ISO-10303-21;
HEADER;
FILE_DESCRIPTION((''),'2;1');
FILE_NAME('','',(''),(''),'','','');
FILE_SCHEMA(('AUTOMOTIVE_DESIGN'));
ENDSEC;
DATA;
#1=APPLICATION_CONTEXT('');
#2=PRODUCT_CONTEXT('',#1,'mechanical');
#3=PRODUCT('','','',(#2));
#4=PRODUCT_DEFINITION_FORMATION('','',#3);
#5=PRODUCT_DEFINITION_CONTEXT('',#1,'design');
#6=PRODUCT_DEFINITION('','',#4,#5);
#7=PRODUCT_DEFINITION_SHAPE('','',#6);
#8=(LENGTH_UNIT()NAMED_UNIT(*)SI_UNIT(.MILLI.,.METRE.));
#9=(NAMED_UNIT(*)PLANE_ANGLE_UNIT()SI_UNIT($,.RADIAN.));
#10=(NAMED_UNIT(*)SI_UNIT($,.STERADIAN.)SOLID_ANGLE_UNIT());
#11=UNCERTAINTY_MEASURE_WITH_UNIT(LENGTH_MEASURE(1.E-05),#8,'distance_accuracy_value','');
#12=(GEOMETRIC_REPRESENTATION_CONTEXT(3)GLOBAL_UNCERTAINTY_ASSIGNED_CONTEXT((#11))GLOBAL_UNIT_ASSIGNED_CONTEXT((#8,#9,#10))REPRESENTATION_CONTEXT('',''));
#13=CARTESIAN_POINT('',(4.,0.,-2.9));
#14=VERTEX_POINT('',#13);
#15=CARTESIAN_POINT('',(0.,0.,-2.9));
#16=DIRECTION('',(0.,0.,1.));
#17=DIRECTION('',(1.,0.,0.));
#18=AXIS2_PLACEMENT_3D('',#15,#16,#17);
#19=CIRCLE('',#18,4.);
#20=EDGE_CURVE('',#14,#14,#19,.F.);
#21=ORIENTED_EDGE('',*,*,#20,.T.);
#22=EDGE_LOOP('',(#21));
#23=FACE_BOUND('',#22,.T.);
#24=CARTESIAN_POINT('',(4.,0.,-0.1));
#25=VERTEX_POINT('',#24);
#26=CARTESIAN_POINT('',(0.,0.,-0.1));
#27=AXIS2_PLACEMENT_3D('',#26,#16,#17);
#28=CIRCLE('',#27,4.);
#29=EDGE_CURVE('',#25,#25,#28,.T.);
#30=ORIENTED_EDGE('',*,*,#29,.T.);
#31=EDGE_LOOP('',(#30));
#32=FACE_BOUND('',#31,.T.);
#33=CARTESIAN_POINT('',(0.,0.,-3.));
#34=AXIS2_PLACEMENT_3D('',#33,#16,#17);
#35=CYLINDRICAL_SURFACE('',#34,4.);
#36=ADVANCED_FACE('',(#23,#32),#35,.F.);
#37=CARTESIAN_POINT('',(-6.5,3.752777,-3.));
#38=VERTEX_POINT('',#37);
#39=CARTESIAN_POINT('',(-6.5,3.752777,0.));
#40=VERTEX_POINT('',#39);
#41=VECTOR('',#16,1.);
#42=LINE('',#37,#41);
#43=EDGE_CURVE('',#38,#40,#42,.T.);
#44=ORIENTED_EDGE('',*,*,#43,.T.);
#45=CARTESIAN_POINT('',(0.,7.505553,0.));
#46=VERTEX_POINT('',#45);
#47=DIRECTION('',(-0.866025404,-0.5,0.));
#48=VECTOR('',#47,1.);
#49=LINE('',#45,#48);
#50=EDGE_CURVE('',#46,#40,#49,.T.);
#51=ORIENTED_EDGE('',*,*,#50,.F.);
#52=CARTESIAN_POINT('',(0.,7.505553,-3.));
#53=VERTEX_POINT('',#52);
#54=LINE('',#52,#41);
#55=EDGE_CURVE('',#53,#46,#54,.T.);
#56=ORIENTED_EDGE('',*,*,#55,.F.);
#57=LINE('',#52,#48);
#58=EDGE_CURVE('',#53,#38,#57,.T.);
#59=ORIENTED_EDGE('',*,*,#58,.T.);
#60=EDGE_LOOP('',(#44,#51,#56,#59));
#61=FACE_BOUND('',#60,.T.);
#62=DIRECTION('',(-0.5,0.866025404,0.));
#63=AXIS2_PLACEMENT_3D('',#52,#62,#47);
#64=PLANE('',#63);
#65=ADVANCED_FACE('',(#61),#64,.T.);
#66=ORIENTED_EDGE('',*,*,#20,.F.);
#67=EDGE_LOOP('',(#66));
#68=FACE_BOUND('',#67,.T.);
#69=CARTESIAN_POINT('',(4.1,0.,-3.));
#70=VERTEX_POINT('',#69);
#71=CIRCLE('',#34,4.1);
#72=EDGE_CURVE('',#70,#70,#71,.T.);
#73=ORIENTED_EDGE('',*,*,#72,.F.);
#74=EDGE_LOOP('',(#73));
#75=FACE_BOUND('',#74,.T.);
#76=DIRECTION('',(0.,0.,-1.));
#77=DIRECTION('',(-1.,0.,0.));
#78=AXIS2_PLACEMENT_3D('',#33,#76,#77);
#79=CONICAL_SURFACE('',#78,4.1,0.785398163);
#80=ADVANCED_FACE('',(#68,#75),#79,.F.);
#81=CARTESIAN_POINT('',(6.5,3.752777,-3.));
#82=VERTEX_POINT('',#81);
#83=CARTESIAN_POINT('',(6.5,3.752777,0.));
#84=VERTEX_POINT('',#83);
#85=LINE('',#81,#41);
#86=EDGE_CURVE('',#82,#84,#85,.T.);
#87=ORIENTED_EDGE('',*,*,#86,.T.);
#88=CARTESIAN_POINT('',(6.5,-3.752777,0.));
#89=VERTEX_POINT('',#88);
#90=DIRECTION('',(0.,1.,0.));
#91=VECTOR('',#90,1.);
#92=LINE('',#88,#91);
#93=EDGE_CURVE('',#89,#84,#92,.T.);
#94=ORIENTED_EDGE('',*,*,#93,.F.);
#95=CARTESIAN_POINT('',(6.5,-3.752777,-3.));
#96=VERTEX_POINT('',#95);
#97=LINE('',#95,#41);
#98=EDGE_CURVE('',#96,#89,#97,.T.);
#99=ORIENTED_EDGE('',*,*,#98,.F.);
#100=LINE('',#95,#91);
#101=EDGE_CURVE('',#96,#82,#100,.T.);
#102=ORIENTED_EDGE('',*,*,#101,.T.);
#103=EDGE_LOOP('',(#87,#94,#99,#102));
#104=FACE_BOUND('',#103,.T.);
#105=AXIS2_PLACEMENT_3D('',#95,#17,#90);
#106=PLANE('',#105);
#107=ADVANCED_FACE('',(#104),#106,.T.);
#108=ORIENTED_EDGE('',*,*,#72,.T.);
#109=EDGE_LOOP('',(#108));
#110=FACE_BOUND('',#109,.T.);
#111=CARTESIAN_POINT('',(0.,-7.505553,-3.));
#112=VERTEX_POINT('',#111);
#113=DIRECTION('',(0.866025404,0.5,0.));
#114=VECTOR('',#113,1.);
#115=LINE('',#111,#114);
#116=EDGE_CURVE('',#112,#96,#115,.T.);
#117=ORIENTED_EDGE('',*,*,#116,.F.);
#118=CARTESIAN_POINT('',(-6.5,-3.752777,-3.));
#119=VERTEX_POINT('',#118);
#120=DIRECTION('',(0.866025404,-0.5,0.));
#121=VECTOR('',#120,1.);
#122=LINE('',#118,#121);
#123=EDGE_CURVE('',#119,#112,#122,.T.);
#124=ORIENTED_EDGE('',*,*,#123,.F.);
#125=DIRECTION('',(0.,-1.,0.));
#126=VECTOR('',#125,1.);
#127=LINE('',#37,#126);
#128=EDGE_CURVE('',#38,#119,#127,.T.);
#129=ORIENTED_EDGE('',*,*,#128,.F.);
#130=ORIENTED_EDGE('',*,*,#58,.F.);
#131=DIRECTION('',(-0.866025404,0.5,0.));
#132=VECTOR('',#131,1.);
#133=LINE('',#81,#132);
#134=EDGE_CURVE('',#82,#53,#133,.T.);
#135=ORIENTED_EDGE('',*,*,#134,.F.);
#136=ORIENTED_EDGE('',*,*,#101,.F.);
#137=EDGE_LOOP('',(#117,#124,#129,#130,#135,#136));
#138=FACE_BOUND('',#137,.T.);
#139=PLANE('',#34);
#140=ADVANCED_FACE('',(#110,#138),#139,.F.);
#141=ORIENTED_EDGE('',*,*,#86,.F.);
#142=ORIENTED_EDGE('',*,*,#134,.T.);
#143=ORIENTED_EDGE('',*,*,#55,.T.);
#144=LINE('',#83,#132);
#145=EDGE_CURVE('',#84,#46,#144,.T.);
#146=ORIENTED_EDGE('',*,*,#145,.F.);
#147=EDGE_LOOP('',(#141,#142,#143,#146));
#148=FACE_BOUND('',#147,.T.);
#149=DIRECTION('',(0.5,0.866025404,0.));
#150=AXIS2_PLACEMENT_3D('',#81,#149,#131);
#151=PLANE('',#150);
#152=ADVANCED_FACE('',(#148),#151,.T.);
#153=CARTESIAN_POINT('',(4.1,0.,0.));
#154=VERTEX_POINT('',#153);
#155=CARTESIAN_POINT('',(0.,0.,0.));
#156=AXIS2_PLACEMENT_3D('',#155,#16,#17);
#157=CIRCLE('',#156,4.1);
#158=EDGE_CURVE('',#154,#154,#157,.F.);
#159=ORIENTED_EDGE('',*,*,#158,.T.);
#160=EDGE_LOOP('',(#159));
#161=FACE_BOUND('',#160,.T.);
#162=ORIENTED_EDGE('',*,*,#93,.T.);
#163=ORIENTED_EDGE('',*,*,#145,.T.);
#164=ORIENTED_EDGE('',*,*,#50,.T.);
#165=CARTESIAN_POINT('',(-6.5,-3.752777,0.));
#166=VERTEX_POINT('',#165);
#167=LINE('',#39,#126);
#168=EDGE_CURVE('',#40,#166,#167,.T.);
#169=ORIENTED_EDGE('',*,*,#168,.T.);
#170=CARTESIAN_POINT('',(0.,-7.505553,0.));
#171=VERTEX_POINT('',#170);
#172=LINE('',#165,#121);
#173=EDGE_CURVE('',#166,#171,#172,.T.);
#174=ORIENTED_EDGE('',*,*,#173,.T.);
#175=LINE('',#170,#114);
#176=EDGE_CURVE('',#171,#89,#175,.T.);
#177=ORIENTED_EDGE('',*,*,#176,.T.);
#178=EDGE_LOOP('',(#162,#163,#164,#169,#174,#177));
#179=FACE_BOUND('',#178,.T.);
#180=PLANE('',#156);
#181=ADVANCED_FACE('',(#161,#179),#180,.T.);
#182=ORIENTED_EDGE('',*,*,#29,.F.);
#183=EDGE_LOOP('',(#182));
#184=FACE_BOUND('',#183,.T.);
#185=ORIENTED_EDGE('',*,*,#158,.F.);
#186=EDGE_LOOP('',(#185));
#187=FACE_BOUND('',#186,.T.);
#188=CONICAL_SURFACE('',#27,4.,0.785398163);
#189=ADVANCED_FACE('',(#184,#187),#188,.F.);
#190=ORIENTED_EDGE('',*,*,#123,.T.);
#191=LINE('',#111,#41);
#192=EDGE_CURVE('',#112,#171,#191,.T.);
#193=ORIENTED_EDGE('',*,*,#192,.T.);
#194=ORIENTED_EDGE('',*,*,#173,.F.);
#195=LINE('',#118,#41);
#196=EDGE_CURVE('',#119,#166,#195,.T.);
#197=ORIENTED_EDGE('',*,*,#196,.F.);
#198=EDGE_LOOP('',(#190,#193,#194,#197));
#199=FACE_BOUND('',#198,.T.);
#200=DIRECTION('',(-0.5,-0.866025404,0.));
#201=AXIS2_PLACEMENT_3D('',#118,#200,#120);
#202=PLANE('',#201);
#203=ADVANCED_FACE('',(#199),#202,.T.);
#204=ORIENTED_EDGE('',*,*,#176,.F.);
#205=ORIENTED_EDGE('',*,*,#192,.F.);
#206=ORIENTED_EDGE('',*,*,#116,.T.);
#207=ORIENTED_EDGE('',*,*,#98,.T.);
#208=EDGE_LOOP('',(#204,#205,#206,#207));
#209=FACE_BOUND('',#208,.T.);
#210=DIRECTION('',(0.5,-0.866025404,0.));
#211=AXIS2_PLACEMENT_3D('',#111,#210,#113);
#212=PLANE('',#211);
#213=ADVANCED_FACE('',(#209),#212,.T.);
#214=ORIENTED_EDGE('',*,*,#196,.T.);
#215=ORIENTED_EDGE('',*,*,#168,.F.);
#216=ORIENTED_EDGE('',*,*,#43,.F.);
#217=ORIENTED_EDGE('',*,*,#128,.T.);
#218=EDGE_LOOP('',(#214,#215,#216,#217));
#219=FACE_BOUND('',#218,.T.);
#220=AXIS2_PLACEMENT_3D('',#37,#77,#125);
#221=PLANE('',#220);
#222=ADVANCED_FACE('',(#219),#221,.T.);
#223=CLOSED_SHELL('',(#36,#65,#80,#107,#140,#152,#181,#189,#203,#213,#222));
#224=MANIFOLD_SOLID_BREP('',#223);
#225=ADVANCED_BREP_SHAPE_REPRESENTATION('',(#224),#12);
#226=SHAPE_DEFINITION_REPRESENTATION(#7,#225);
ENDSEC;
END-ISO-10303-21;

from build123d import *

# Parameters (mm, degrees)
EXTRUDE_1_DEPTH     = 3
SKETCH_2_R          = 4
CUT_EXTRUDE_1_DEPTH = 3
CHAMFER_1_SIZE      = 0.1


with BuildPart() as part:
    # 草图1 → 凸台-拉伸1 (new body)
    with BuildSketch(Plane.XY):
        Polygon((0, 7.505553499), (-6.5, 3.75277675), (-6.5, -3.75277675), (0, -7.505553499), (6.5, -3.75277675), (6.5, 3.75277675), align=None)
    extrude(amount=-EXTRUDE_1_DEPTH)

    # 草图2 → 切除-拉伸1 (cut)
    with BuildSketch(Plane.XY):
        Circle(SKETCH_2_R)
    extrude(amount=-CUT_EXTRUDE_1_DEPTH, mode=Mode.SUBTRACT)

    # 倒角1
    chamfer_1_edges = [part.edges().sort_by_distance(p)[0] for p in [
        (-4, 0, -3),
        (-4, 0, 0),
    ]]
    chamfer(chamfer_1_edges, length=CHAMFER_1_SIZE)


solid = part.part
